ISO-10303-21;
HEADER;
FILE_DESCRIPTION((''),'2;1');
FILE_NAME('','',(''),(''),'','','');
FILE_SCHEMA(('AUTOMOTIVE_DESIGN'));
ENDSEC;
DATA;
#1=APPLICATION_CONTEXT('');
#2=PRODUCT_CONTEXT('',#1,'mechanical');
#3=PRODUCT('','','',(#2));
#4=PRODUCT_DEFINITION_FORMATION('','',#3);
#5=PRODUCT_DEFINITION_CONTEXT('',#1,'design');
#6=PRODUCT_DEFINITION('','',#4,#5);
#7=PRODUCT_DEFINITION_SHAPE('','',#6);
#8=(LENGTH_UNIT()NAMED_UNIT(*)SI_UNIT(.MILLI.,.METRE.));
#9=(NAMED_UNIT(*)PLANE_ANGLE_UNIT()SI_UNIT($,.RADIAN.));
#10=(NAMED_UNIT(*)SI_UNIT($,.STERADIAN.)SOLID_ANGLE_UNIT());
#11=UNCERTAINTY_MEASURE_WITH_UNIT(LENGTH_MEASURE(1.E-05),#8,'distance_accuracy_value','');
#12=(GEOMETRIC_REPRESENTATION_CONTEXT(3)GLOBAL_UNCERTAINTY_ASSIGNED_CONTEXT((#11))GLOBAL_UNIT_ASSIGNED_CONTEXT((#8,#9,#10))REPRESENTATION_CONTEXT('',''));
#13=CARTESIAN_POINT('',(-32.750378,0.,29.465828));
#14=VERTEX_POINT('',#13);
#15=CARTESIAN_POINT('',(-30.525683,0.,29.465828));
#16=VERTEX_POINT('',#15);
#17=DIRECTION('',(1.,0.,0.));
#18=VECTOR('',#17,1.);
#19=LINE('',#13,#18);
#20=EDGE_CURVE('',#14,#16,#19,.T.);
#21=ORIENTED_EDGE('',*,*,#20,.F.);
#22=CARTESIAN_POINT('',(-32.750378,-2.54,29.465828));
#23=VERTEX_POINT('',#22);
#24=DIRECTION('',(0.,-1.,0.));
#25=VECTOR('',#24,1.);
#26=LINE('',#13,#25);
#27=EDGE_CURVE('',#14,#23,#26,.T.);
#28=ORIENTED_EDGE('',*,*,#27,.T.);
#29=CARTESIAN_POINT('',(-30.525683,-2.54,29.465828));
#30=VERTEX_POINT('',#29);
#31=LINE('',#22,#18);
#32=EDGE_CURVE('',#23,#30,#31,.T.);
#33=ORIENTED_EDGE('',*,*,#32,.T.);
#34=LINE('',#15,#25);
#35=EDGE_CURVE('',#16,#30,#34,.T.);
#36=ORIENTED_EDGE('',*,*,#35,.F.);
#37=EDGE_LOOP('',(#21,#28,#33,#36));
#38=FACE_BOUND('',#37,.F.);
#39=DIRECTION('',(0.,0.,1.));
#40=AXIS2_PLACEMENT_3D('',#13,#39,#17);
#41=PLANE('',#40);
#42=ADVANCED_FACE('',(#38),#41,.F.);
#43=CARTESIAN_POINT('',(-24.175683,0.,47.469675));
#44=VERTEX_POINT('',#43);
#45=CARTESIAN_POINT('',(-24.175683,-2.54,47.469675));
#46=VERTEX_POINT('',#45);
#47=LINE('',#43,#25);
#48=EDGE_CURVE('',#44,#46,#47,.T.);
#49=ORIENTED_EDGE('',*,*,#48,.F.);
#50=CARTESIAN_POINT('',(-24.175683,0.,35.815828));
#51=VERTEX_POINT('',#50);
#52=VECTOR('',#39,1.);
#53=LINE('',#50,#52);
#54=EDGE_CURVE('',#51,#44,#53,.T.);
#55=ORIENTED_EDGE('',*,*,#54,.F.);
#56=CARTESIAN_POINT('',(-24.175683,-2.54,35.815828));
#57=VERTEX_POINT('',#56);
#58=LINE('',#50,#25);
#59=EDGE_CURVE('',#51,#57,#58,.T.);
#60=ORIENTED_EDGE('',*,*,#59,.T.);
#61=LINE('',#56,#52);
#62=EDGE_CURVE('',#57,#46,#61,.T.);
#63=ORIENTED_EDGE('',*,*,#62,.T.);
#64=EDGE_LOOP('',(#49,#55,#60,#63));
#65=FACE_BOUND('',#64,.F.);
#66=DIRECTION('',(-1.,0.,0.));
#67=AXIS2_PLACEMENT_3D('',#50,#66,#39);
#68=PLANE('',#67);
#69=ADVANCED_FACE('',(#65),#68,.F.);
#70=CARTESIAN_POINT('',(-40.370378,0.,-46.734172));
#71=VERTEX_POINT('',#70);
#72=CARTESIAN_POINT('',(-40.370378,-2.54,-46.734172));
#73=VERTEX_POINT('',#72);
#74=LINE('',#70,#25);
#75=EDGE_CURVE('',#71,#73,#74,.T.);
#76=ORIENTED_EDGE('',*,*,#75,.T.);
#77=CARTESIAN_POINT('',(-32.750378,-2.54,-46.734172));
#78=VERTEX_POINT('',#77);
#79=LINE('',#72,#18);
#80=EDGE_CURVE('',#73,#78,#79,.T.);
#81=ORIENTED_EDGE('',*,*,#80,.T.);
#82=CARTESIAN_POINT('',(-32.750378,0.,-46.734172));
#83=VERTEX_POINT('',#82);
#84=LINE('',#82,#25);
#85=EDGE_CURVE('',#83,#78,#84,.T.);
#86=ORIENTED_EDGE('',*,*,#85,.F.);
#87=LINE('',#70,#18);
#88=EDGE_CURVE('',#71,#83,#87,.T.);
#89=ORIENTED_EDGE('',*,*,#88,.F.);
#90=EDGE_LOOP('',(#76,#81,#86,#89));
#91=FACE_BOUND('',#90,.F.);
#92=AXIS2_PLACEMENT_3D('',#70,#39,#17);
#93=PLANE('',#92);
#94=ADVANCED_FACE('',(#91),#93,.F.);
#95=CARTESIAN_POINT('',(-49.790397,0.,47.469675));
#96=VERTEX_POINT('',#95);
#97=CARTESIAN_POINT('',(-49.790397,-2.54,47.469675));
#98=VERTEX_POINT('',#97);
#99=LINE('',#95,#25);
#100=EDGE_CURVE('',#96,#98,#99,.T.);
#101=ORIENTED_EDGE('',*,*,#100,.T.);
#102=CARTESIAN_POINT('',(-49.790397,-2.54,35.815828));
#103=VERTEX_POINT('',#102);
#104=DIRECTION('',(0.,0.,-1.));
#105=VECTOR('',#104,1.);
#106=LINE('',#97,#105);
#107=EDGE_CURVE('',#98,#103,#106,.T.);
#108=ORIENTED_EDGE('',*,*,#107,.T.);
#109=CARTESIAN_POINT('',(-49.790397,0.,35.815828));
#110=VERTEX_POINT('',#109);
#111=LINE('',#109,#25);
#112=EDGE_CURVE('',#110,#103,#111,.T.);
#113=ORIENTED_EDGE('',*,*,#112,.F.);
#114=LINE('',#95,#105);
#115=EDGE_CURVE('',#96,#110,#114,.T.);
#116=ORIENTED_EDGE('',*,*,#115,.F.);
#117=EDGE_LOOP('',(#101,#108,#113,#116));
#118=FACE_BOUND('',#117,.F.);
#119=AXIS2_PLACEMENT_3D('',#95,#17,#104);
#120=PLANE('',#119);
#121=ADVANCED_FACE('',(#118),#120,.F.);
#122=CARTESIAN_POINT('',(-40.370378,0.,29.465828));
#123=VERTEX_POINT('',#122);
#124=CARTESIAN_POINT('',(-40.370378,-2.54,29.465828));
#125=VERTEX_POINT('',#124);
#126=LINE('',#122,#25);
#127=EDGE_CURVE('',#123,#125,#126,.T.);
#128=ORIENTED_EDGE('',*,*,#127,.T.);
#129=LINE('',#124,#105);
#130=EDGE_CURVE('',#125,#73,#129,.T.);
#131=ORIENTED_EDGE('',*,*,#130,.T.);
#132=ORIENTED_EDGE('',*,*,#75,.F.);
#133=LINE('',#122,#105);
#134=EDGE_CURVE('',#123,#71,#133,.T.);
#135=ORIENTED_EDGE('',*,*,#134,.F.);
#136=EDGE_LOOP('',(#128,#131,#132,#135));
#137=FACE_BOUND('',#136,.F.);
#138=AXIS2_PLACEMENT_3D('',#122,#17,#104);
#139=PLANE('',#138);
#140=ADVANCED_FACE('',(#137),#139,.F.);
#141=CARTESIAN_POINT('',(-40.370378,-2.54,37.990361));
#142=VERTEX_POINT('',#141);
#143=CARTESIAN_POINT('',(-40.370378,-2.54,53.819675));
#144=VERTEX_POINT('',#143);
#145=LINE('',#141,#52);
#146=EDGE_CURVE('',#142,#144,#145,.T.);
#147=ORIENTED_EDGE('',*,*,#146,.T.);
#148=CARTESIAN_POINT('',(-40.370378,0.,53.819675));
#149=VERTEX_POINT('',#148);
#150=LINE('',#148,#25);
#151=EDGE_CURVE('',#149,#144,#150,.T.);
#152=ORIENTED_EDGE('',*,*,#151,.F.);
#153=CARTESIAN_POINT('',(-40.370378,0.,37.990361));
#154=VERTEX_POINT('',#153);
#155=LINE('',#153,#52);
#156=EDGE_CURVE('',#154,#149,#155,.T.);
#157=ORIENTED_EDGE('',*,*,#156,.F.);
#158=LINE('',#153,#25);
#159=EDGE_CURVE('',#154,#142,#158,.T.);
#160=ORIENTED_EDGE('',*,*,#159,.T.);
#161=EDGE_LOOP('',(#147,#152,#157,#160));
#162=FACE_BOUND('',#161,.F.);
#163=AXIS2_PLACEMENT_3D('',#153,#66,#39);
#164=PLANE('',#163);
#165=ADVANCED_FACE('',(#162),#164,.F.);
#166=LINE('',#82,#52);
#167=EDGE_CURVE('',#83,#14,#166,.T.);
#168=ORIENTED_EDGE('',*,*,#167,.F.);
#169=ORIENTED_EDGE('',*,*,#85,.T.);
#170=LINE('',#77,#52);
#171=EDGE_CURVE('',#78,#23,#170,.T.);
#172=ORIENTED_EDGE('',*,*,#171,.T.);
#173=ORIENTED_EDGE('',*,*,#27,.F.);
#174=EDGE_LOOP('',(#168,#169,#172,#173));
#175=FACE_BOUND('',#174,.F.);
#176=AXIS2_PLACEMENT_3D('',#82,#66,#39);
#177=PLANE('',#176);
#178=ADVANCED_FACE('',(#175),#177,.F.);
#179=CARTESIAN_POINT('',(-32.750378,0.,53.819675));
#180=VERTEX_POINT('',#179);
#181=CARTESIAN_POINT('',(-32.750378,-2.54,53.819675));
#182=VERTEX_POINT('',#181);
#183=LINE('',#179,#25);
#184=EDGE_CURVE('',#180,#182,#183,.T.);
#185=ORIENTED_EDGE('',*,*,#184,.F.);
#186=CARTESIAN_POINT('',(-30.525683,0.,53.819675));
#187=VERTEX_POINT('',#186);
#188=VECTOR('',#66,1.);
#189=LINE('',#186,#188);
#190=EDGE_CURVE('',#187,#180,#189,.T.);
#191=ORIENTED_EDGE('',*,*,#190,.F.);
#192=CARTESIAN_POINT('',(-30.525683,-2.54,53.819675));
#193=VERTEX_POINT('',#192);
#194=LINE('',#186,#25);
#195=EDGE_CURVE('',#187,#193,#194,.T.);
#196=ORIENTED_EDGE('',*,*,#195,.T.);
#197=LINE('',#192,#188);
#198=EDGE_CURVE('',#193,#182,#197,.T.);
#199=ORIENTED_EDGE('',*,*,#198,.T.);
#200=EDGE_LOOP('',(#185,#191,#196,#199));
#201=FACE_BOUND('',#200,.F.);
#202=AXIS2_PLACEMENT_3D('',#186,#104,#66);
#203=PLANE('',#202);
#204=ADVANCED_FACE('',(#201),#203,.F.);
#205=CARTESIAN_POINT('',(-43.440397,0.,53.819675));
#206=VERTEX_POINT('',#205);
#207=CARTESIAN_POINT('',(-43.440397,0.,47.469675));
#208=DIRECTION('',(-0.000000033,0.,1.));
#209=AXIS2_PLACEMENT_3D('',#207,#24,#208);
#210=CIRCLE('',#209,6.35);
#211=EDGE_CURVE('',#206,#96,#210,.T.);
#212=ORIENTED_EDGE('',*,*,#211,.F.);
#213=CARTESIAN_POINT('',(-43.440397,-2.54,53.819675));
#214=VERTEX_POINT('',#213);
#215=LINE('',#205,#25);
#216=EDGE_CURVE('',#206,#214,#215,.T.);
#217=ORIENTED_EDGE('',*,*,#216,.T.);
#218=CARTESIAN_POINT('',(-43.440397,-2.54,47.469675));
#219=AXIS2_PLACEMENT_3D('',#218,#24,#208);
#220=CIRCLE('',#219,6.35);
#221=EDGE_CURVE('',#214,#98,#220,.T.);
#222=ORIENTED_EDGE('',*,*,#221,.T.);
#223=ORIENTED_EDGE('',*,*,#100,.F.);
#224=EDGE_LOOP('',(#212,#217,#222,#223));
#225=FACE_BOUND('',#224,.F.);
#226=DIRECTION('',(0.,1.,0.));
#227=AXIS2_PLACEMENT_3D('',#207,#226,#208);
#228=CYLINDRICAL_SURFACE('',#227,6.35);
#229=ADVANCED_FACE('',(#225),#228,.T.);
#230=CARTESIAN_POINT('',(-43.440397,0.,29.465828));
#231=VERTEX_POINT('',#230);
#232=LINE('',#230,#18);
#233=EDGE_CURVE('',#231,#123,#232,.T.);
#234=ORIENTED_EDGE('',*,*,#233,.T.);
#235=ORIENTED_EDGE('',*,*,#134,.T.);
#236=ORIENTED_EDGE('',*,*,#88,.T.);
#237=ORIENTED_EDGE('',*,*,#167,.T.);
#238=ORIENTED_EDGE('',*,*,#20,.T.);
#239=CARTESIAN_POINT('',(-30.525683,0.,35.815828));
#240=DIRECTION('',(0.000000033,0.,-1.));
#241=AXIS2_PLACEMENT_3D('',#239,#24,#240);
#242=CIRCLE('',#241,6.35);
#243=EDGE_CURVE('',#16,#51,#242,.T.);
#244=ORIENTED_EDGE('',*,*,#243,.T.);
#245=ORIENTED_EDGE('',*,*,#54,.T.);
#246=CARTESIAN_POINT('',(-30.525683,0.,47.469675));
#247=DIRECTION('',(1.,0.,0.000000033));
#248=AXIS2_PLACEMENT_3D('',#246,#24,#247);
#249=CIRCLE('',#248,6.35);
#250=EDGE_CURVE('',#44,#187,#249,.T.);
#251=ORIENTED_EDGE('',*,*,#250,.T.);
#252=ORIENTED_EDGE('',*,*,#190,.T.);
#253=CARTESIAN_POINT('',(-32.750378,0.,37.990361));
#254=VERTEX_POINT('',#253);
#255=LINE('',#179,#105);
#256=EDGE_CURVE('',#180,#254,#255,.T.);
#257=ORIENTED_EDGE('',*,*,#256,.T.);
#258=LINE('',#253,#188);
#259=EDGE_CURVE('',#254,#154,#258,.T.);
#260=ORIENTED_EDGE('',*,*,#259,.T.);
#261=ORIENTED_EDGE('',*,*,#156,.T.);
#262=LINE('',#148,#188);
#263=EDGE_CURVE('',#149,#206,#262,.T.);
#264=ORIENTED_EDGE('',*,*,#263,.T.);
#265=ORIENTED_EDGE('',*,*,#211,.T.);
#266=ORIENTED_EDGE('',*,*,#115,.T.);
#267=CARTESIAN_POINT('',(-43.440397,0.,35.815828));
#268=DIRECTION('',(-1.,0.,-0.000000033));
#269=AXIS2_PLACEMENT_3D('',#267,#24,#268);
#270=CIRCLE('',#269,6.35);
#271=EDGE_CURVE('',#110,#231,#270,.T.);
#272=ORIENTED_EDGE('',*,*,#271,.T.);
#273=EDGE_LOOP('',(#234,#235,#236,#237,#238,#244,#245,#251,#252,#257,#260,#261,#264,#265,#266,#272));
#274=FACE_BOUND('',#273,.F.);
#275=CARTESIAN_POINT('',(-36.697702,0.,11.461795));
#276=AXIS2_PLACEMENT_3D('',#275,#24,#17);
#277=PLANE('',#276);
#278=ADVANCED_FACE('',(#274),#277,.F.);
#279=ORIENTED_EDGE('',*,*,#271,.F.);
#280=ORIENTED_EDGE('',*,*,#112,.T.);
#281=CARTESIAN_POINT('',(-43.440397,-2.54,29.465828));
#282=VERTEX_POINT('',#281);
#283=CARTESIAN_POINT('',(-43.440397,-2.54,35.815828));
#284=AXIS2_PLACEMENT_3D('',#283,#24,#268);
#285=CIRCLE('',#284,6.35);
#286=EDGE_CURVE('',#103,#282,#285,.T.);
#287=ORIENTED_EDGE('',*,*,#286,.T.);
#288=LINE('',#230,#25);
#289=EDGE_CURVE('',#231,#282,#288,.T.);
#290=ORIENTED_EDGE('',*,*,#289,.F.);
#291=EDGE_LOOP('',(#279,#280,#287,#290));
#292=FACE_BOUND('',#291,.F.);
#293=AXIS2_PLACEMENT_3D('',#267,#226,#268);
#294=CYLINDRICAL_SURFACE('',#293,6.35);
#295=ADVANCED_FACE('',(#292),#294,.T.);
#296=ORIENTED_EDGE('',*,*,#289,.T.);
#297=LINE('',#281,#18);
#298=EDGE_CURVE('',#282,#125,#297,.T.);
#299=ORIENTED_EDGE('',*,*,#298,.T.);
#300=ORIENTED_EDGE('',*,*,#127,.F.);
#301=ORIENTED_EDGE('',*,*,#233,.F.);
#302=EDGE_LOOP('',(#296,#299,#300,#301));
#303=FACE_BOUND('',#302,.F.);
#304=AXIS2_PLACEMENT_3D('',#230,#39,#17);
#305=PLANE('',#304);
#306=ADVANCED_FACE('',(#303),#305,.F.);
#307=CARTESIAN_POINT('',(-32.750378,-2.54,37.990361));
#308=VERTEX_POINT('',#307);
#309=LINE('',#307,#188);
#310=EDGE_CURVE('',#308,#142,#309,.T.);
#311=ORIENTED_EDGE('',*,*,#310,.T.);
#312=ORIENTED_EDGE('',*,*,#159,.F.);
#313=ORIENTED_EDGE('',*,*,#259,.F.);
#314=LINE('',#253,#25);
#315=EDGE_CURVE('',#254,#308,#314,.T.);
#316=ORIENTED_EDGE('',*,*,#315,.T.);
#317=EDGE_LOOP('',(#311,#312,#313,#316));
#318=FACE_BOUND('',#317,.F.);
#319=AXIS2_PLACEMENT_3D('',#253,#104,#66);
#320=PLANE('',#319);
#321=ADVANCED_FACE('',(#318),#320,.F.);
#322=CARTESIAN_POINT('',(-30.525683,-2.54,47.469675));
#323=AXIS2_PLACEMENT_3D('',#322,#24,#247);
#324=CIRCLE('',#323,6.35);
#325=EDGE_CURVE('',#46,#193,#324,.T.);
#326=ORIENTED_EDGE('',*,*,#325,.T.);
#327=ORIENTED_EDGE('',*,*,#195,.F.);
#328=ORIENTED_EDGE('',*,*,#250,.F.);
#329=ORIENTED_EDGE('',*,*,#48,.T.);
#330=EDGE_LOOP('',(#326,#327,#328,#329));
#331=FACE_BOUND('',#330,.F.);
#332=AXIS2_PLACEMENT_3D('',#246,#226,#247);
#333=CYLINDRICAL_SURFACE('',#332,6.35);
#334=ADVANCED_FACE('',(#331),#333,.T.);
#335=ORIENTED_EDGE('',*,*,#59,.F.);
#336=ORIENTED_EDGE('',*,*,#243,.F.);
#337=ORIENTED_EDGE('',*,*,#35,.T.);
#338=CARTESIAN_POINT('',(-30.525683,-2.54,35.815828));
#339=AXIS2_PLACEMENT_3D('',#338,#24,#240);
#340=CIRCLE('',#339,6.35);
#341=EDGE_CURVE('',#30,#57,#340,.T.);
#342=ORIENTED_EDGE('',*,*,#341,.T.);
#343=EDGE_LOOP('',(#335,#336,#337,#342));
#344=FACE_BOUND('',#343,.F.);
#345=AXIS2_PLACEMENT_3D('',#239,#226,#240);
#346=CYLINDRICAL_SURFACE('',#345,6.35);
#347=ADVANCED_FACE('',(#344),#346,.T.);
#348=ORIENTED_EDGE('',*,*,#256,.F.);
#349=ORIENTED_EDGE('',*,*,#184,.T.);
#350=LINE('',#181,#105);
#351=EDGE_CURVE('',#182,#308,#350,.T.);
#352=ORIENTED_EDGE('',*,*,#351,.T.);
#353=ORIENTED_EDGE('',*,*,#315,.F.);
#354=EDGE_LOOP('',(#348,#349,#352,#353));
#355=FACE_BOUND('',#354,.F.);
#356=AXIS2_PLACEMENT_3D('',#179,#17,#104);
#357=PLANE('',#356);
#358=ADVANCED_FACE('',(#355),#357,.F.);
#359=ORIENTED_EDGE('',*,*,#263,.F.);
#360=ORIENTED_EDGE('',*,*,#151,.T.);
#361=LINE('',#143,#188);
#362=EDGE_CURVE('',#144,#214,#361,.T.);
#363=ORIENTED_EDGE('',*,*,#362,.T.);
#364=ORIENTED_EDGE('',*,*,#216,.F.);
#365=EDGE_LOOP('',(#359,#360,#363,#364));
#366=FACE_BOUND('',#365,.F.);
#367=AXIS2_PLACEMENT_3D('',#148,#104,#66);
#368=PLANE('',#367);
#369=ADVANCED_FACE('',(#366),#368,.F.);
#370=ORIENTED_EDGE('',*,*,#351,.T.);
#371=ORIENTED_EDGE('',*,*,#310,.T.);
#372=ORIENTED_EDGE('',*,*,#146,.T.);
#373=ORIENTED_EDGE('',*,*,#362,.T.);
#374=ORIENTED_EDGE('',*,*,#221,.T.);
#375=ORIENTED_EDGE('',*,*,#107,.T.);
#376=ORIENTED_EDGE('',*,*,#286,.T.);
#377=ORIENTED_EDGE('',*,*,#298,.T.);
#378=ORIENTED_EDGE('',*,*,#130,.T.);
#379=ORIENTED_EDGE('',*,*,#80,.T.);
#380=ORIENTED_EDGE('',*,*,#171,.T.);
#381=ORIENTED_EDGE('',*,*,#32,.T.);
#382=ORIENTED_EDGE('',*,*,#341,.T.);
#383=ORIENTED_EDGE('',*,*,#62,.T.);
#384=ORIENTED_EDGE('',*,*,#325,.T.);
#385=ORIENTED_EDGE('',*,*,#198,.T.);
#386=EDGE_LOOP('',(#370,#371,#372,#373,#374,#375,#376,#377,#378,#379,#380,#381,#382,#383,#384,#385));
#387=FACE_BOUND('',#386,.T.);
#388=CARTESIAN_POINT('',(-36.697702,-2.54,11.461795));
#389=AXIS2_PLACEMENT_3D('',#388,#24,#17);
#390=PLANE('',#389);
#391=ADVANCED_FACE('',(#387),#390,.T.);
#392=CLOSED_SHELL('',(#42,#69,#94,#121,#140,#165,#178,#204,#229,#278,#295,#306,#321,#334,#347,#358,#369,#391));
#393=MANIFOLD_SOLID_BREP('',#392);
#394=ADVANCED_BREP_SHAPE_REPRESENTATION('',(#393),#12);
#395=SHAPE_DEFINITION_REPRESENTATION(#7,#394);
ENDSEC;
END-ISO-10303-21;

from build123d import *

# Parameters (mm, degrees)
F1_DEPTH = 2.54


with BuildPart() as f1:
    # F0 (on Front) → F1 (new body)
    with BuildSketch(Plane.XZ):
        with BuildLine():
            Line((-32.750378, -46.734172), (-32.750378, 29.465828))
            Line((-32.750378, 29.465828), (-30.525683, 29.465828))
            ThreePointArc((-30.525683, 29.465828), (-26.035555, 31.3257), (-24.175683, 35.815828))
            Line((-24.175683, 35.815828), (-24.175683, 47.469675))
            ThreePointArc((-24.175683, 47.469675), (-26.035555, 51.959803), (-30.525683, 53.819675))
            Line((-30.525683, 53.819675), (-32.750378, 53.819675))
            Line((-32.750378, 53.819675), (-32.750378, 37.990361))
            Line((-32.750378, 37.990361), (-40.370378, 37.990361))
            Line((-40.370378, 37.990361), (-40.370378, 53.819675))
            Line((-40.370378, 53.819675), (-43.440397, 53.819675))
            ThreePointArc((-43.440397, 53.819675), (-47.930525, 51.959803), (-49.790397, 47.469675))
            Line((-49.790397, 47.469675), (-49.790397, 35.815828))
            ThreePointArc((-49.790397, 35.815828), (-47.930525, 31.3257), (-43.440397, 29.465828))
            Line((-43.440397, 29.465828), (-40.370378, 29.465828))
            Line((-40.370378, 29.465828), (-40.370378, -46.734172))
            Line((-40.370378, -46.734172), (-32.750378, -46.734172))
        make_face()
    extrude(amount=F1_DEPTH)


solid = f1.part
